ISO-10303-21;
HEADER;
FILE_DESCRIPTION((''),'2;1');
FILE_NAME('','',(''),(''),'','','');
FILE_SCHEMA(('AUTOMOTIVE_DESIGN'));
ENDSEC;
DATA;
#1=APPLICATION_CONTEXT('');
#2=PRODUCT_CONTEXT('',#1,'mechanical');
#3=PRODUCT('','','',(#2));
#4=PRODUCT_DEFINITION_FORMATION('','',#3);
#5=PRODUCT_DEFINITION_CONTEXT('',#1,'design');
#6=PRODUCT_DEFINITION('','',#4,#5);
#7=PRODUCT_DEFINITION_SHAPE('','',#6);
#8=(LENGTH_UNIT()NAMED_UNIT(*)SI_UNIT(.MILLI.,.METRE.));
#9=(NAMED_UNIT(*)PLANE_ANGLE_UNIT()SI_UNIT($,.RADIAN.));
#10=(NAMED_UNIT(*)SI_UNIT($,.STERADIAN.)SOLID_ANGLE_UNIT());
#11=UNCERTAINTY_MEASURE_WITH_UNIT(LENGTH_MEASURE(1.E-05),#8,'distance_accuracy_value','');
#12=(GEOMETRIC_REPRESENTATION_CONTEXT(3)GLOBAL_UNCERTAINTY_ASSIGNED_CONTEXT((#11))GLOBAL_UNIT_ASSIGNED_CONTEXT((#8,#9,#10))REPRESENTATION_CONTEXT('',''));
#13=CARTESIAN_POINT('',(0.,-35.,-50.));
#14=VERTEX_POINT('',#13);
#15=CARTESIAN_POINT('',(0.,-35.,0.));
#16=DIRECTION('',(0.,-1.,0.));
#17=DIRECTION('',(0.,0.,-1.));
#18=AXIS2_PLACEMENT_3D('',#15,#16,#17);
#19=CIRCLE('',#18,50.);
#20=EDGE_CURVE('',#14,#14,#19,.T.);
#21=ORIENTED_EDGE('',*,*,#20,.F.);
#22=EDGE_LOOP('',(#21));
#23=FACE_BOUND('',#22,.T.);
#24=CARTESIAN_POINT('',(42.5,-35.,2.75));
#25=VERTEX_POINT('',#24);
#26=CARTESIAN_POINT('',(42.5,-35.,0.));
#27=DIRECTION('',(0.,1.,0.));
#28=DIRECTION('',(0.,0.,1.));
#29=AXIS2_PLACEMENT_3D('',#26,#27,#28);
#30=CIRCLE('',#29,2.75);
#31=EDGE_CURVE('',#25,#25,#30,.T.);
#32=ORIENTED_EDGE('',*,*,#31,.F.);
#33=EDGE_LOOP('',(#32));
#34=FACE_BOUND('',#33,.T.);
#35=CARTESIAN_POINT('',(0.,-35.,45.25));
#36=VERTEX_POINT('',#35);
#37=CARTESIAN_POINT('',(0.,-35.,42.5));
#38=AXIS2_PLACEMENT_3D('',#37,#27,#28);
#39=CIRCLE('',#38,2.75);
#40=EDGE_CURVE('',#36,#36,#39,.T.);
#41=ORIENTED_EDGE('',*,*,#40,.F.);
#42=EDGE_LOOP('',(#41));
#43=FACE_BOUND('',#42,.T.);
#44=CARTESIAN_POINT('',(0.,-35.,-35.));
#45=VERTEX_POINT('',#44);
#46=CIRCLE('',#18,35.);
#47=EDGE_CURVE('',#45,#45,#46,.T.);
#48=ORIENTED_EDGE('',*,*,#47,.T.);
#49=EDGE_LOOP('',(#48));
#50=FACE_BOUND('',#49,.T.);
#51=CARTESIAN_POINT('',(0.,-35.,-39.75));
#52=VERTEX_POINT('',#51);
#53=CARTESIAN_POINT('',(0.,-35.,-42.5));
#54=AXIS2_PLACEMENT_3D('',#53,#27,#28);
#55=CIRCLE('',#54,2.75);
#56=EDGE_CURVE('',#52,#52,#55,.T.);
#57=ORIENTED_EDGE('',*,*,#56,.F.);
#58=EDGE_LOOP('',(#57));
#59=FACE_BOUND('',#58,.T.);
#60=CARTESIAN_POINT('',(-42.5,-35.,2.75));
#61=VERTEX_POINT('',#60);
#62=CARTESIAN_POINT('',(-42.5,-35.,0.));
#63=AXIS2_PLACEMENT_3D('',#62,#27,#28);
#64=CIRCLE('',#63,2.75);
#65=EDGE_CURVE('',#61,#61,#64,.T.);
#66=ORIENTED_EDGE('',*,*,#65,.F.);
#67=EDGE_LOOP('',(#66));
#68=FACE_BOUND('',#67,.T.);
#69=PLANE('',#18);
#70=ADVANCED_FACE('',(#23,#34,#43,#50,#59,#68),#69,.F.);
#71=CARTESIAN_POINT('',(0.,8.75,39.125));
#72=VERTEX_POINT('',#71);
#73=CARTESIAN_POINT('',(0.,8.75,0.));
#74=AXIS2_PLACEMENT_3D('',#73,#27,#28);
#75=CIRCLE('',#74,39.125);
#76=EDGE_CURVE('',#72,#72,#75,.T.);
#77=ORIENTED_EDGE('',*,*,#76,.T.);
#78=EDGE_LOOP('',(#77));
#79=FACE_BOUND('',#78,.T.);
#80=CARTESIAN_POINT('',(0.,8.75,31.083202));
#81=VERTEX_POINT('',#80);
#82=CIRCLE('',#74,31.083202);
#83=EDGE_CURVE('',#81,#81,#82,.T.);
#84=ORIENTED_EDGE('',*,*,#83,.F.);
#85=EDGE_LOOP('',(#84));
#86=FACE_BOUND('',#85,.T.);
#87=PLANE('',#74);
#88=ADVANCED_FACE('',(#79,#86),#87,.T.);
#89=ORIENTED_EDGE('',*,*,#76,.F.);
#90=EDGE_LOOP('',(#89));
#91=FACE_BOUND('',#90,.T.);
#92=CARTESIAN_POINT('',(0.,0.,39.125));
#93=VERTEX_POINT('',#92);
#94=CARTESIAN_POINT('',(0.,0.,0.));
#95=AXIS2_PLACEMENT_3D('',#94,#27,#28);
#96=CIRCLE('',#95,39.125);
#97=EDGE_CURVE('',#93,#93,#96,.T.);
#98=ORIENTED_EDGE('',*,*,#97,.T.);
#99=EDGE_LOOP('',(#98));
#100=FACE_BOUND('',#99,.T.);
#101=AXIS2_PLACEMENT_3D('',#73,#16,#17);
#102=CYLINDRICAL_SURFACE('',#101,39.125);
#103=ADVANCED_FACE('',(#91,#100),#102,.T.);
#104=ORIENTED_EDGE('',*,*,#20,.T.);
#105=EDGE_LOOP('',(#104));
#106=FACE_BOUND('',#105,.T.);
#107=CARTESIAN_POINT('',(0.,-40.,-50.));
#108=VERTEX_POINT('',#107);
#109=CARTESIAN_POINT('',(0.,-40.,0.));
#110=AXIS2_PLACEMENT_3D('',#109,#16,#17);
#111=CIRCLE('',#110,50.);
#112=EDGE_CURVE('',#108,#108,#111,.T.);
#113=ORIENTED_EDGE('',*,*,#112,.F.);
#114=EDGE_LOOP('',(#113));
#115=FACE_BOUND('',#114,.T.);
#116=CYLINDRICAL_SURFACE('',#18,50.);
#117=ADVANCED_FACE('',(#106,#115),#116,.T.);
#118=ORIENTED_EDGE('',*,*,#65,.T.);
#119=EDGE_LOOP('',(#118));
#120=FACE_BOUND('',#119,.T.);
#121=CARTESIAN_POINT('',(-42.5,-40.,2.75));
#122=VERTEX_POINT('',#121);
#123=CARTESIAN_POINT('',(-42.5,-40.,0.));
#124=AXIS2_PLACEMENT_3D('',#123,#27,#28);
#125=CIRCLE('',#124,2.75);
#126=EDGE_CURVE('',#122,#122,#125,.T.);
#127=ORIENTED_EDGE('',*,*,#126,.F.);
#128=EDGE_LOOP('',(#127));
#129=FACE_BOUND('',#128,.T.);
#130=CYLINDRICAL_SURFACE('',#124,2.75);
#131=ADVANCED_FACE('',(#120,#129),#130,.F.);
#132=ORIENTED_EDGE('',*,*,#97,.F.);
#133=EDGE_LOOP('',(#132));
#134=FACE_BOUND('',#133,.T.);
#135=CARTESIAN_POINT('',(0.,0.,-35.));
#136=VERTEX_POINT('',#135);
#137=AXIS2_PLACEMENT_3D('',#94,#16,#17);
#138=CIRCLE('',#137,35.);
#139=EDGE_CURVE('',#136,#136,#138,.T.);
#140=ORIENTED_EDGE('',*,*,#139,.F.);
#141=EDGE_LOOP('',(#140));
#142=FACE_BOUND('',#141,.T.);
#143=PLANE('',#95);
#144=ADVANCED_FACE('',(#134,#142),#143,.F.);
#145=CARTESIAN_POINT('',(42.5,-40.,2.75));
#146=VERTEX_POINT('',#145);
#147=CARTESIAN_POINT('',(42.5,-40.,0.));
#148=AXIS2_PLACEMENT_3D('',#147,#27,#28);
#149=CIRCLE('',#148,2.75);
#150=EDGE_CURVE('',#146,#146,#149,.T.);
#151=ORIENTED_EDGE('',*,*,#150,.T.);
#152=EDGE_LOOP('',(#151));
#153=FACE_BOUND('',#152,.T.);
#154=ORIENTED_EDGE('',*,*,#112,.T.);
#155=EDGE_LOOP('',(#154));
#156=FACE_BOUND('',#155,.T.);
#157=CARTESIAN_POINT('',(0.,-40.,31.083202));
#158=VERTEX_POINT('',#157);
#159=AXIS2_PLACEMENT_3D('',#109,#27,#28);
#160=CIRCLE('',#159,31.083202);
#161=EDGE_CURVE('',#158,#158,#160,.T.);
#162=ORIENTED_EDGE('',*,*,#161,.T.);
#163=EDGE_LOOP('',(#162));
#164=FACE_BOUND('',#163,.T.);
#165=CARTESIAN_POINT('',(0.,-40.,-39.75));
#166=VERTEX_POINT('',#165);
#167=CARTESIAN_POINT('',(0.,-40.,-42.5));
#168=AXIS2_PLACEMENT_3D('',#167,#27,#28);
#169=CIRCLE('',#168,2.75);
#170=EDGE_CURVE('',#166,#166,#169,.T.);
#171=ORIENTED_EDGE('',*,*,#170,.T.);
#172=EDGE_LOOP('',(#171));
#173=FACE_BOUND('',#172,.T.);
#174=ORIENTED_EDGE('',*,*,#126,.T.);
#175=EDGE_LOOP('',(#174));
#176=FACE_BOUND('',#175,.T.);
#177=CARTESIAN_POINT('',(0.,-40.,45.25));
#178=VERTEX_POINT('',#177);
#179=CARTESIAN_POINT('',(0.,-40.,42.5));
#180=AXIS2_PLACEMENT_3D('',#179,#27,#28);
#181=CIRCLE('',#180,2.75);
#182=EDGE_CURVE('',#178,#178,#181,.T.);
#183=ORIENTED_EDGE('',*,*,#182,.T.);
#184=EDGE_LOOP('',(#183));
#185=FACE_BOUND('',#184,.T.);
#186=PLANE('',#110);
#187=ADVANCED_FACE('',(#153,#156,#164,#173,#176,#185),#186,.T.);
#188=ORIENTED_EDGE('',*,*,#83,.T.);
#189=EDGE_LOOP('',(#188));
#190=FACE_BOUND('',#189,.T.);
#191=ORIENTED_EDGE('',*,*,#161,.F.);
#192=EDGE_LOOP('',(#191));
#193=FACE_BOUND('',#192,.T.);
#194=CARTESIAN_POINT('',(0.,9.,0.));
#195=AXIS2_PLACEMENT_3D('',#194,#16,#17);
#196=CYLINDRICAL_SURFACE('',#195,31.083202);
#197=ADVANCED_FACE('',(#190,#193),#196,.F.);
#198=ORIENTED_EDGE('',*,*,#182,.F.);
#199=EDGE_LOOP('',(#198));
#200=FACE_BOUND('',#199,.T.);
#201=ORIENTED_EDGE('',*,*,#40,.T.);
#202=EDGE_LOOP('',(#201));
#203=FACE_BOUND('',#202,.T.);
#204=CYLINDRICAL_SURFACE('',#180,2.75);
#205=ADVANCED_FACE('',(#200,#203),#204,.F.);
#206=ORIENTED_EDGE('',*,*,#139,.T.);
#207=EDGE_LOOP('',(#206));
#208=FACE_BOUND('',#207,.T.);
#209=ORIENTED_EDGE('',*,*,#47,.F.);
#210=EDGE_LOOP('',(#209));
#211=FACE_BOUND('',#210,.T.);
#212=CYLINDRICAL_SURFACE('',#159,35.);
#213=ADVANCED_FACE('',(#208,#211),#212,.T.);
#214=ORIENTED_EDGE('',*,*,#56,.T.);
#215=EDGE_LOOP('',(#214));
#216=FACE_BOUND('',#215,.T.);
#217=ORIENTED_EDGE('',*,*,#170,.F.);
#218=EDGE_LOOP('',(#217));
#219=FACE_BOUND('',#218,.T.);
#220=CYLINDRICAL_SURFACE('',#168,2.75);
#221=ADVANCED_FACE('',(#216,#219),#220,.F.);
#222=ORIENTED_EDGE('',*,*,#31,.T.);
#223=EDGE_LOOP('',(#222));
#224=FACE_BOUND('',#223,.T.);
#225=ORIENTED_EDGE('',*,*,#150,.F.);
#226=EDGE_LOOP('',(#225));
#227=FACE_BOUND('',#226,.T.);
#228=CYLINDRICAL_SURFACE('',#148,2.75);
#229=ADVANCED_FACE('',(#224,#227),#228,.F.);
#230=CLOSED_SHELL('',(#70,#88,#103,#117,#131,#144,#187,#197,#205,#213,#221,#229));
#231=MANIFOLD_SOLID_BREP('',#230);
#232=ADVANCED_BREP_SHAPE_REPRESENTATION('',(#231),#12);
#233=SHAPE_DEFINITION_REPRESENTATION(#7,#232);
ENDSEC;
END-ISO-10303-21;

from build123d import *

# Parameters (mm, degrees)
SKETCH1_R           = 39.125
BOSS_EXTRUDE1_DEPTH = 8.75
SKETCH4_R           = 31.083201595
CUT_EXTRUDE1_DEPTH  = 9
BOSS_EXTRUDE3_START = 40
SKETCH5_R           = 35
SKETCH5_R_2         = 31.083201595
BOSS_EXTRUDE3_DEPTH = 40
SKETCH8_R           = 50
BOSS_EXTRUDE4_DEPTH = 5
SKETCH10_R          = 2.75
CUT_EXTRUDE2_DEPTH  = 5
CUT_EXTRUDE3_START  = -5
SKETCH11_R          = 31.083201595
CUT_EXTRUDE3_DEPTH  = 5


with BuildPart() as part:
    # Sketch1 → Boss-Extrude1 (new body)
    with BuildSketch(Plane(origin=(0, 0, 0), x_dir=(1, 0, 0), z_dir=(0, 1, 0))):
        with Locations(Location((0, 0, 0), (0, 0, 270))):
            Circle(SKETCH1_R)
    extrude(amount=BOSS_EXTRUDE1_DEPTH)

    # Sketch4 → Cut-Extrude1 (cut)
    with BuildSketch(Plane.XZ):
        with Locations(Location((0, 0, 0), (0, 0, 270))):
            Circle(SKETCH4_R)
    extrude(amount=-CUT_EXTRUDE1_DEPTH, mode=Mode.SUBTRACT)

    # Sketch5 → Boss-Extrude3 (add)
    with BuildSketch(Plane.XZ.offset(BOSS_EXTRUDE3_START)):
        with Locations(Location((0, 0, 0), (0, 0, 270))):
            Circle(SKETCH5_R)
        with Locations(Location((0, 0, 0), (0, 0, 270))):
            Circle(SKETCH5_R_2, mode=Mode.SUBTRACT)
    extrude(amount=-BOSS_EXTRUDE3_DEPTH)

    # Sketch8 → Boss-Extrude4 (add)
    with BuildSketch(Plane.XZ.offset(40)):
        with Locations(Location((0, 0, 0), (0, 0, 270))):
            Circle(SKETCH8_R)
    extrude(amount=-BOSS_EXTRUDE4_DEPTH)

    # Sketch10 → Cut-Extrude2 (cut)
    with BuildSketch(Plane(origin=(0, -35, 0), x_dir=(1, 0, 0), z_dir=(0, 1, 0))):
        with Locations(Location((0, 42.5, 0), (0, 0, 270))):
            Circle(SKETCH10_R)
        with Locations(Location((42.5, 0, 0), (0, 0, 270))):
            Circle(SKETCH10_R)
        with Locations(Location((0, -42.5, 0), (0, 0, 270))):
            Circle(SKETCH10_R)
        with Locations(Location((-42.5, 0, 0), (0, 0, 270))):
            Circle(SKETCH10_R)
    extrude(amount=-CUT_EXTRUDE2_DEPTH, mode=Mode.SUBTRACT)

    # Sketch11 → Cut-Extrude3 (cut)
    with BuildSketch(Plane(origin=(0, -35, 0), x_dir=(1, 0, 0), z_dir=(0, 1, 0)).offset(CUT_EXTRUDE3_START)):
        with Locations(Location((0, 0, 0), (0, 0, 270))):
            Circle(SKETCH11_R)
    extrude(amount=CUT_EXTRUDE3_DEPTH, mode=Mode.SUBTRACT)


solid = part.part
